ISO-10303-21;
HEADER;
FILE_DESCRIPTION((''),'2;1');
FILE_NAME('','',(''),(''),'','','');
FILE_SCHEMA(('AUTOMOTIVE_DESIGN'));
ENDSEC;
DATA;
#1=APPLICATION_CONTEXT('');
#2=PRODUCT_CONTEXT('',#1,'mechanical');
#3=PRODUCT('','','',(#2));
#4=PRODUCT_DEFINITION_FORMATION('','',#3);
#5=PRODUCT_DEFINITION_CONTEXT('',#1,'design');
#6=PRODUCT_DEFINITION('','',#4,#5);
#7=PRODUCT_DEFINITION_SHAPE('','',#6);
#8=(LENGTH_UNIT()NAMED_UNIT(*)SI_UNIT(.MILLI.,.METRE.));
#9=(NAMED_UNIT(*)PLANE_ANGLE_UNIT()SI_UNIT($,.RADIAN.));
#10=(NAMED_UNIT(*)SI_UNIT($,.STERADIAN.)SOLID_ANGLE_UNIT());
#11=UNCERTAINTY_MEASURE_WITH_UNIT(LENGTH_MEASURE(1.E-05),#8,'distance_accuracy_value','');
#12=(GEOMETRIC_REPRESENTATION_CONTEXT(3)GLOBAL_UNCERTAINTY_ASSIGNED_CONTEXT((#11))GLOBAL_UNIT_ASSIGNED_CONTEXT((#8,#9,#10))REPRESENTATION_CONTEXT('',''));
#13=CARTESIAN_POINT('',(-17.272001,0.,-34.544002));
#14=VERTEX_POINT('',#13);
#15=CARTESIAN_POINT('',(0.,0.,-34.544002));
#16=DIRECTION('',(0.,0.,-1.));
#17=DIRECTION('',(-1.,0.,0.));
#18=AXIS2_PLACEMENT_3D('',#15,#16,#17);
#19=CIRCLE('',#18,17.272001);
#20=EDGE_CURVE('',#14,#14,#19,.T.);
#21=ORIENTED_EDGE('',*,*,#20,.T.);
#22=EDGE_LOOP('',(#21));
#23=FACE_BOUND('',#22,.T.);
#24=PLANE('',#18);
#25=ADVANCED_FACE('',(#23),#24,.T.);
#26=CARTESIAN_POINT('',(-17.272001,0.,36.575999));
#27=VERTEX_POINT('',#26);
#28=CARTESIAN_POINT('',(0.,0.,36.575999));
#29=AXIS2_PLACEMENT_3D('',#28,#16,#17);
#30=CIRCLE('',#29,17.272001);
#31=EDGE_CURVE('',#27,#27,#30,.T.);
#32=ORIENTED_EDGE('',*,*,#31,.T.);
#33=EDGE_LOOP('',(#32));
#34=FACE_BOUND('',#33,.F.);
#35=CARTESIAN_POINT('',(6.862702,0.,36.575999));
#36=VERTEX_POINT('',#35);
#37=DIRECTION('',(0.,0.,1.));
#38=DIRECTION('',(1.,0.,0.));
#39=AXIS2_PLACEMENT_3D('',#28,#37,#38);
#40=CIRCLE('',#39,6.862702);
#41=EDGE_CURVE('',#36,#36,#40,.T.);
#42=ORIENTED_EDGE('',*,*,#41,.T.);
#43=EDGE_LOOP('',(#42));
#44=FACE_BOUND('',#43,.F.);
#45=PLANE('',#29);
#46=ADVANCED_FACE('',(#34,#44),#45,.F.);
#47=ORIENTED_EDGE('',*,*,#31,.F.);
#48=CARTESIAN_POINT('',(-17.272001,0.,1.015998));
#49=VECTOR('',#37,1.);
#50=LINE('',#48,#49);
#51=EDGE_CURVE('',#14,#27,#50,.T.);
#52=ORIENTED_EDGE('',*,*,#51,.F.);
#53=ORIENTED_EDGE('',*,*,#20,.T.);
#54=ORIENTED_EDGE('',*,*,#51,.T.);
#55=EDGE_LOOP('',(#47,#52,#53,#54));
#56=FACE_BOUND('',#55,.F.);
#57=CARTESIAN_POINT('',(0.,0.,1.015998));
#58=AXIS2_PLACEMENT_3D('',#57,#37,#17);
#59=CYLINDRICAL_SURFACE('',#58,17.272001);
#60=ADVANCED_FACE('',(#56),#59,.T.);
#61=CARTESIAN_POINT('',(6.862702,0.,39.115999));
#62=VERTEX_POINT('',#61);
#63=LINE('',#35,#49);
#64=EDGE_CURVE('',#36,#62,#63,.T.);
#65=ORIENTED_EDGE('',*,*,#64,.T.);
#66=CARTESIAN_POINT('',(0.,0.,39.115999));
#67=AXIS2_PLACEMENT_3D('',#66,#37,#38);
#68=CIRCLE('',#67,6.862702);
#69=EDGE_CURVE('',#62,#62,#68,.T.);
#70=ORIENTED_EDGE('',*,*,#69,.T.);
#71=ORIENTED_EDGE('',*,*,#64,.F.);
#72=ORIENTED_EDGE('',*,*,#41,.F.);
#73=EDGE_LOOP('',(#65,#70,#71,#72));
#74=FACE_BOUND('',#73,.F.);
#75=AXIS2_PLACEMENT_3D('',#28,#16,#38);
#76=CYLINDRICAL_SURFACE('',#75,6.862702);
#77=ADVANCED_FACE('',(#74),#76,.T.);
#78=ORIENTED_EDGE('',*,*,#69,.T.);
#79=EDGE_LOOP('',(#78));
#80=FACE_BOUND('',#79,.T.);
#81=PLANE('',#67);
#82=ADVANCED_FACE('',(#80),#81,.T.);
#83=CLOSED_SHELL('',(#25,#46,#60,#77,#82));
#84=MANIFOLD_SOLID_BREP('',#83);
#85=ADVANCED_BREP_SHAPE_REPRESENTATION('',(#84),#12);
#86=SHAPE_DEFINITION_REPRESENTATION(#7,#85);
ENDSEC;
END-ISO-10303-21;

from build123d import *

# Parameters (mm, degrees)
F0_W     = 17.2720011324
F0_H     = 71.1200013757
F2_R     = 6.8627021691
F3_DEPTH = 2.54


with BuildPart() as f1:
    # F0 (on Front) → F1 (revolve)
    with BuildSketch(Plane.XZ):
        with Locations((-8.6360005662, 1.0159984231)):
            Rectangle(F0_W, F0_H)
    revolve(axis=Axis((0, 0, 1.1429991573), (0, 0, -1)))

    # F2 (on face) → F3 (join)
    with BuildSketch(Plane.XY.offset(36.5759991109)):
        Circle(F2_R)
    extrude(amount=F3_DEPTH)


solid = f1.part
